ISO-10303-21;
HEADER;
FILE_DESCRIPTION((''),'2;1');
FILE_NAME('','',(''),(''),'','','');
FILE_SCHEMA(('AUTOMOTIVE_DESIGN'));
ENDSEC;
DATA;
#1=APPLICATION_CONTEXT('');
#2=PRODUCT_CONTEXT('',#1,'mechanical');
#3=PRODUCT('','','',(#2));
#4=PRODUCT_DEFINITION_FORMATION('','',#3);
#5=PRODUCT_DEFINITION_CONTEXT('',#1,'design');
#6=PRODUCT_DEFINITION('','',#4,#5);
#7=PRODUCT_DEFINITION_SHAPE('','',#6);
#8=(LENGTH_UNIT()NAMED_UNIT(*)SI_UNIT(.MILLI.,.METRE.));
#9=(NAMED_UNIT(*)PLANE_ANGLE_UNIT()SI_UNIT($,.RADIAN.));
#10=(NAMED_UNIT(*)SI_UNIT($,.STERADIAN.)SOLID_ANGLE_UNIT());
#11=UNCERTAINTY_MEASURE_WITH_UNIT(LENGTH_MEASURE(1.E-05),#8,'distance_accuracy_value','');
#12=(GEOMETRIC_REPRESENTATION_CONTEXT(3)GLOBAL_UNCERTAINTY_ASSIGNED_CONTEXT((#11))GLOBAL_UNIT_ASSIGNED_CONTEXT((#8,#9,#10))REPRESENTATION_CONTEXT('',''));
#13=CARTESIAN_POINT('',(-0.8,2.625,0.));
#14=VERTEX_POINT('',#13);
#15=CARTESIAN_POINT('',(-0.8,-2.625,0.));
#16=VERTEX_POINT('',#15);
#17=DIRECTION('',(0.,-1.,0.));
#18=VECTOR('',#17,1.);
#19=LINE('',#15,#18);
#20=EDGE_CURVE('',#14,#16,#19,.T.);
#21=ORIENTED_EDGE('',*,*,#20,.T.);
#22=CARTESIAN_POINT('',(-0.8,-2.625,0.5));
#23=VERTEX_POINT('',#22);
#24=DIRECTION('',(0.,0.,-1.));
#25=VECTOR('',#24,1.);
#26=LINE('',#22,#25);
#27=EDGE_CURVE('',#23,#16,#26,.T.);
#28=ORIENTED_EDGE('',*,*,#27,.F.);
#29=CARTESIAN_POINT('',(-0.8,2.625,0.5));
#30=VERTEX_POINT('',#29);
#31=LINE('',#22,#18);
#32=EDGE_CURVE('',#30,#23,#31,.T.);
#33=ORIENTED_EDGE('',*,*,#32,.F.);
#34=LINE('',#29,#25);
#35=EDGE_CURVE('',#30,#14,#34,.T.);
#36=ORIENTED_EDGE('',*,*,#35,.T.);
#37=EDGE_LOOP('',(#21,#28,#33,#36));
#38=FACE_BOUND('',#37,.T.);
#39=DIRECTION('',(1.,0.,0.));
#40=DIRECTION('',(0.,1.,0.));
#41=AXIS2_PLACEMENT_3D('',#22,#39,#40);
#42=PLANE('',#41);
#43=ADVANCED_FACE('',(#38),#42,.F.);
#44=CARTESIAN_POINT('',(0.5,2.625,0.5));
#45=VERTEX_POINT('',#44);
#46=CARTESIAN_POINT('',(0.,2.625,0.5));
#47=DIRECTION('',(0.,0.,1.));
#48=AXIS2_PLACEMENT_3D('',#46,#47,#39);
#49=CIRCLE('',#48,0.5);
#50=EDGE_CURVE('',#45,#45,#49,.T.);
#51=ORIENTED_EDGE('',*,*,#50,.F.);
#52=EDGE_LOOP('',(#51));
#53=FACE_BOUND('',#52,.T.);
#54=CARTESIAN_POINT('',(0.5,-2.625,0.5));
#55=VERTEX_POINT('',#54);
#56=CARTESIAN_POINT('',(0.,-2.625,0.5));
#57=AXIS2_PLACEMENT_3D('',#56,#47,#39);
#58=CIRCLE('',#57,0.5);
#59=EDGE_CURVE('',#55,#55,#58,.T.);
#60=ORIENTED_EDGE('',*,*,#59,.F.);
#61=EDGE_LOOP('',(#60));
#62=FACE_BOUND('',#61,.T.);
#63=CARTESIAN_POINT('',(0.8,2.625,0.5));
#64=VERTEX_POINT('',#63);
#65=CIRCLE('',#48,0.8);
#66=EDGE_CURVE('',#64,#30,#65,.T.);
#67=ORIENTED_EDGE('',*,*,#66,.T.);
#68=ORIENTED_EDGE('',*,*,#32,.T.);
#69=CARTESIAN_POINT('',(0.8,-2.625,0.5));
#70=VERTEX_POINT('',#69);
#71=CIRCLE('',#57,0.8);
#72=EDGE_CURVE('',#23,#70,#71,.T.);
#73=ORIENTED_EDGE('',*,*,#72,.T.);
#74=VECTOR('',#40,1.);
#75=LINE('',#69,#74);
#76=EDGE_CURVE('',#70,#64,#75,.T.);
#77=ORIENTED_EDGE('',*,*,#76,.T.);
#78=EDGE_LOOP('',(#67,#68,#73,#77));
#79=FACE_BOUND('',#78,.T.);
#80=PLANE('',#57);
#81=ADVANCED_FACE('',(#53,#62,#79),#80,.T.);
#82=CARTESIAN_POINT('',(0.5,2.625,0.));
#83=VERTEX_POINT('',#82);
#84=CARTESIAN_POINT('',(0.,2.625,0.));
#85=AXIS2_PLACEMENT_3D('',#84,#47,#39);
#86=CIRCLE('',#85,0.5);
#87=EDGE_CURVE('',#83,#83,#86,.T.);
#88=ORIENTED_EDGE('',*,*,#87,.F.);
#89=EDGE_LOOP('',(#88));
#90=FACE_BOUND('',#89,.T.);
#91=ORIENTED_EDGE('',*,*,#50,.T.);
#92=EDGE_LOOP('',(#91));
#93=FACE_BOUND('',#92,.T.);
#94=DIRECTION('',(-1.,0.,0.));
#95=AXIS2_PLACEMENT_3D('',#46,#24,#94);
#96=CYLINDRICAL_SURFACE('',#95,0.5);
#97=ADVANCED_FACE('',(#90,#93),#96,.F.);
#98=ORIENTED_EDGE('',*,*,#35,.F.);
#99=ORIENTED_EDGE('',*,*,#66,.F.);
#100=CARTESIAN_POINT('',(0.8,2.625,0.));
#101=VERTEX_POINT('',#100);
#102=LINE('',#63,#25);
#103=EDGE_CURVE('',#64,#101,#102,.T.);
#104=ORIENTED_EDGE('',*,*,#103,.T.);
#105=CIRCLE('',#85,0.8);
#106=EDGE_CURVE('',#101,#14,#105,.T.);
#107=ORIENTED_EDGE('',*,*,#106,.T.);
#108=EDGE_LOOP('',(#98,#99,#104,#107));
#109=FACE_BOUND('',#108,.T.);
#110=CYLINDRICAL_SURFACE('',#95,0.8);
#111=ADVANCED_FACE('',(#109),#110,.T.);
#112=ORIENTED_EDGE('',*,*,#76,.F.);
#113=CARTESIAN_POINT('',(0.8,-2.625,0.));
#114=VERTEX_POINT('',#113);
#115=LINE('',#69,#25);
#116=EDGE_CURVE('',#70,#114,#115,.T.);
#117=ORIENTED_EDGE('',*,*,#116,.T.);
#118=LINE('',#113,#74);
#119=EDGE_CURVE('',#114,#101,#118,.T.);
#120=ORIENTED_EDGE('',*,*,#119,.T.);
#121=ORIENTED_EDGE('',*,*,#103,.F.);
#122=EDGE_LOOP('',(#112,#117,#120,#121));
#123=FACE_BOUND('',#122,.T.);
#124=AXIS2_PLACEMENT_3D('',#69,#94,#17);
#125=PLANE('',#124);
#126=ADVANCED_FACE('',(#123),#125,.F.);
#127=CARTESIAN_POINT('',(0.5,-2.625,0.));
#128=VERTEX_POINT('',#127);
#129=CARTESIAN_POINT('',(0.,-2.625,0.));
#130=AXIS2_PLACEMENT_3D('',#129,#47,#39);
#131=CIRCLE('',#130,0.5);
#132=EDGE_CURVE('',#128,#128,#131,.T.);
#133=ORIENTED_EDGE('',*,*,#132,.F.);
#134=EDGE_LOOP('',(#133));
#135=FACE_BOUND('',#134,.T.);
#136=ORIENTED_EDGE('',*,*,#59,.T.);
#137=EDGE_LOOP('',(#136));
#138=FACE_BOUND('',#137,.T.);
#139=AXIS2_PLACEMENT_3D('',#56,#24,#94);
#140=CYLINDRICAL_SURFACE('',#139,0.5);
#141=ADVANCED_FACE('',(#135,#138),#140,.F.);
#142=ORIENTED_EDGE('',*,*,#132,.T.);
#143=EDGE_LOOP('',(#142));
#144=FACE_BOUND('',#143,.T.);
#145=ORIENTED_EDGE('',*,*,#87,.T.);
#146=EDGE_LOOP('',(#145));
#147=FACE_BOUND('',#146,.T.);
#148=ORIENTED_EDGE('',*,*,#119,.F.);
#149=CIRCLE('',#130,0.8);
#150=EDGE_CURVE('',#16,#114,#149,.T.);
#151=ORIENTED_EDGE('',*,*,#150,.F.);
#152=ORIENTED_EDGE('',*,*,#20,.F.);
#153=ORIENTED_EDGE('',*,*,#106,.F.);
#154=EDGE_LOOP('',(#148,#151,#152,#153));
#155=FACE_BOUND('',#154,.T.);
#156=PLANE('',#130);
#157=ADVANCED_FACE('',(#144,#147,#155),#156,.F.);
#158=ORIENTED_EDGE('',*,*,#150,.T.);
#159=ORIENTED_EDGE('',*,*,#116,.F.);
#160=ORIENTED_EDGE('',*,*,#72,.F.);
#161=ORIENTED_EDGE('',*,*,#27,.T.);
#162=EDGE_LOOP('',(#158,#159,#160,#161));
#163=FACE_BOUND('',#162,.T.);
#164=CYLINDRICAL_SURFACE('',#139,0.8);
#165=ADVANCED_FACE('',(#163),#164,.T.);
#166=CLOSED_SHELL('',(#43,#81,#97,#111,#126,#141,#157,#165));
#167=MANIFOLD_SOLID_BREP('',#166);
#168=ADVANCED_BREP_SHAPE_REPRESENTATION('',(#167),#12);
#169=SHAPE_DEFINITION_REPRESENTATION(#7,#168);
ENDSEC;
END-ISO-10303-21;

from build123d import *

# Parameters (mm, degrees)
SKETCH_1_R      = 0.5
EXTRUDE_1_DEPTH = 0.5


with BuildPart() as part:
    # 草圖1 → 填料-伸長1 (new body)
    with BuildSketch(Plane.XY):
        with BuildLine():
            Line((-0.8, -2.625), (-0.8, 2.625))
            ThreePointArc((-0.8, 2.625), (0, 3.425), (0.8, 2.625))
            Line((0.8, 2.625), (0.8, -2.625))
            ThreePointArc((0.8, -2.625), (0, -3.425), (-0.8, -2.625))
        make_face()
        with Locations((0, 2.625)):
            Circle(SKETCH_1_R, mode=Mode.SUBTRACT)
        with Locations((0, -2.625)):
            Circle(SKETCH_1_R, mode=Mode.SUBTRACT)
    extrude(amount=EXTRUDE_1_DEPTH)


solid = part.part
